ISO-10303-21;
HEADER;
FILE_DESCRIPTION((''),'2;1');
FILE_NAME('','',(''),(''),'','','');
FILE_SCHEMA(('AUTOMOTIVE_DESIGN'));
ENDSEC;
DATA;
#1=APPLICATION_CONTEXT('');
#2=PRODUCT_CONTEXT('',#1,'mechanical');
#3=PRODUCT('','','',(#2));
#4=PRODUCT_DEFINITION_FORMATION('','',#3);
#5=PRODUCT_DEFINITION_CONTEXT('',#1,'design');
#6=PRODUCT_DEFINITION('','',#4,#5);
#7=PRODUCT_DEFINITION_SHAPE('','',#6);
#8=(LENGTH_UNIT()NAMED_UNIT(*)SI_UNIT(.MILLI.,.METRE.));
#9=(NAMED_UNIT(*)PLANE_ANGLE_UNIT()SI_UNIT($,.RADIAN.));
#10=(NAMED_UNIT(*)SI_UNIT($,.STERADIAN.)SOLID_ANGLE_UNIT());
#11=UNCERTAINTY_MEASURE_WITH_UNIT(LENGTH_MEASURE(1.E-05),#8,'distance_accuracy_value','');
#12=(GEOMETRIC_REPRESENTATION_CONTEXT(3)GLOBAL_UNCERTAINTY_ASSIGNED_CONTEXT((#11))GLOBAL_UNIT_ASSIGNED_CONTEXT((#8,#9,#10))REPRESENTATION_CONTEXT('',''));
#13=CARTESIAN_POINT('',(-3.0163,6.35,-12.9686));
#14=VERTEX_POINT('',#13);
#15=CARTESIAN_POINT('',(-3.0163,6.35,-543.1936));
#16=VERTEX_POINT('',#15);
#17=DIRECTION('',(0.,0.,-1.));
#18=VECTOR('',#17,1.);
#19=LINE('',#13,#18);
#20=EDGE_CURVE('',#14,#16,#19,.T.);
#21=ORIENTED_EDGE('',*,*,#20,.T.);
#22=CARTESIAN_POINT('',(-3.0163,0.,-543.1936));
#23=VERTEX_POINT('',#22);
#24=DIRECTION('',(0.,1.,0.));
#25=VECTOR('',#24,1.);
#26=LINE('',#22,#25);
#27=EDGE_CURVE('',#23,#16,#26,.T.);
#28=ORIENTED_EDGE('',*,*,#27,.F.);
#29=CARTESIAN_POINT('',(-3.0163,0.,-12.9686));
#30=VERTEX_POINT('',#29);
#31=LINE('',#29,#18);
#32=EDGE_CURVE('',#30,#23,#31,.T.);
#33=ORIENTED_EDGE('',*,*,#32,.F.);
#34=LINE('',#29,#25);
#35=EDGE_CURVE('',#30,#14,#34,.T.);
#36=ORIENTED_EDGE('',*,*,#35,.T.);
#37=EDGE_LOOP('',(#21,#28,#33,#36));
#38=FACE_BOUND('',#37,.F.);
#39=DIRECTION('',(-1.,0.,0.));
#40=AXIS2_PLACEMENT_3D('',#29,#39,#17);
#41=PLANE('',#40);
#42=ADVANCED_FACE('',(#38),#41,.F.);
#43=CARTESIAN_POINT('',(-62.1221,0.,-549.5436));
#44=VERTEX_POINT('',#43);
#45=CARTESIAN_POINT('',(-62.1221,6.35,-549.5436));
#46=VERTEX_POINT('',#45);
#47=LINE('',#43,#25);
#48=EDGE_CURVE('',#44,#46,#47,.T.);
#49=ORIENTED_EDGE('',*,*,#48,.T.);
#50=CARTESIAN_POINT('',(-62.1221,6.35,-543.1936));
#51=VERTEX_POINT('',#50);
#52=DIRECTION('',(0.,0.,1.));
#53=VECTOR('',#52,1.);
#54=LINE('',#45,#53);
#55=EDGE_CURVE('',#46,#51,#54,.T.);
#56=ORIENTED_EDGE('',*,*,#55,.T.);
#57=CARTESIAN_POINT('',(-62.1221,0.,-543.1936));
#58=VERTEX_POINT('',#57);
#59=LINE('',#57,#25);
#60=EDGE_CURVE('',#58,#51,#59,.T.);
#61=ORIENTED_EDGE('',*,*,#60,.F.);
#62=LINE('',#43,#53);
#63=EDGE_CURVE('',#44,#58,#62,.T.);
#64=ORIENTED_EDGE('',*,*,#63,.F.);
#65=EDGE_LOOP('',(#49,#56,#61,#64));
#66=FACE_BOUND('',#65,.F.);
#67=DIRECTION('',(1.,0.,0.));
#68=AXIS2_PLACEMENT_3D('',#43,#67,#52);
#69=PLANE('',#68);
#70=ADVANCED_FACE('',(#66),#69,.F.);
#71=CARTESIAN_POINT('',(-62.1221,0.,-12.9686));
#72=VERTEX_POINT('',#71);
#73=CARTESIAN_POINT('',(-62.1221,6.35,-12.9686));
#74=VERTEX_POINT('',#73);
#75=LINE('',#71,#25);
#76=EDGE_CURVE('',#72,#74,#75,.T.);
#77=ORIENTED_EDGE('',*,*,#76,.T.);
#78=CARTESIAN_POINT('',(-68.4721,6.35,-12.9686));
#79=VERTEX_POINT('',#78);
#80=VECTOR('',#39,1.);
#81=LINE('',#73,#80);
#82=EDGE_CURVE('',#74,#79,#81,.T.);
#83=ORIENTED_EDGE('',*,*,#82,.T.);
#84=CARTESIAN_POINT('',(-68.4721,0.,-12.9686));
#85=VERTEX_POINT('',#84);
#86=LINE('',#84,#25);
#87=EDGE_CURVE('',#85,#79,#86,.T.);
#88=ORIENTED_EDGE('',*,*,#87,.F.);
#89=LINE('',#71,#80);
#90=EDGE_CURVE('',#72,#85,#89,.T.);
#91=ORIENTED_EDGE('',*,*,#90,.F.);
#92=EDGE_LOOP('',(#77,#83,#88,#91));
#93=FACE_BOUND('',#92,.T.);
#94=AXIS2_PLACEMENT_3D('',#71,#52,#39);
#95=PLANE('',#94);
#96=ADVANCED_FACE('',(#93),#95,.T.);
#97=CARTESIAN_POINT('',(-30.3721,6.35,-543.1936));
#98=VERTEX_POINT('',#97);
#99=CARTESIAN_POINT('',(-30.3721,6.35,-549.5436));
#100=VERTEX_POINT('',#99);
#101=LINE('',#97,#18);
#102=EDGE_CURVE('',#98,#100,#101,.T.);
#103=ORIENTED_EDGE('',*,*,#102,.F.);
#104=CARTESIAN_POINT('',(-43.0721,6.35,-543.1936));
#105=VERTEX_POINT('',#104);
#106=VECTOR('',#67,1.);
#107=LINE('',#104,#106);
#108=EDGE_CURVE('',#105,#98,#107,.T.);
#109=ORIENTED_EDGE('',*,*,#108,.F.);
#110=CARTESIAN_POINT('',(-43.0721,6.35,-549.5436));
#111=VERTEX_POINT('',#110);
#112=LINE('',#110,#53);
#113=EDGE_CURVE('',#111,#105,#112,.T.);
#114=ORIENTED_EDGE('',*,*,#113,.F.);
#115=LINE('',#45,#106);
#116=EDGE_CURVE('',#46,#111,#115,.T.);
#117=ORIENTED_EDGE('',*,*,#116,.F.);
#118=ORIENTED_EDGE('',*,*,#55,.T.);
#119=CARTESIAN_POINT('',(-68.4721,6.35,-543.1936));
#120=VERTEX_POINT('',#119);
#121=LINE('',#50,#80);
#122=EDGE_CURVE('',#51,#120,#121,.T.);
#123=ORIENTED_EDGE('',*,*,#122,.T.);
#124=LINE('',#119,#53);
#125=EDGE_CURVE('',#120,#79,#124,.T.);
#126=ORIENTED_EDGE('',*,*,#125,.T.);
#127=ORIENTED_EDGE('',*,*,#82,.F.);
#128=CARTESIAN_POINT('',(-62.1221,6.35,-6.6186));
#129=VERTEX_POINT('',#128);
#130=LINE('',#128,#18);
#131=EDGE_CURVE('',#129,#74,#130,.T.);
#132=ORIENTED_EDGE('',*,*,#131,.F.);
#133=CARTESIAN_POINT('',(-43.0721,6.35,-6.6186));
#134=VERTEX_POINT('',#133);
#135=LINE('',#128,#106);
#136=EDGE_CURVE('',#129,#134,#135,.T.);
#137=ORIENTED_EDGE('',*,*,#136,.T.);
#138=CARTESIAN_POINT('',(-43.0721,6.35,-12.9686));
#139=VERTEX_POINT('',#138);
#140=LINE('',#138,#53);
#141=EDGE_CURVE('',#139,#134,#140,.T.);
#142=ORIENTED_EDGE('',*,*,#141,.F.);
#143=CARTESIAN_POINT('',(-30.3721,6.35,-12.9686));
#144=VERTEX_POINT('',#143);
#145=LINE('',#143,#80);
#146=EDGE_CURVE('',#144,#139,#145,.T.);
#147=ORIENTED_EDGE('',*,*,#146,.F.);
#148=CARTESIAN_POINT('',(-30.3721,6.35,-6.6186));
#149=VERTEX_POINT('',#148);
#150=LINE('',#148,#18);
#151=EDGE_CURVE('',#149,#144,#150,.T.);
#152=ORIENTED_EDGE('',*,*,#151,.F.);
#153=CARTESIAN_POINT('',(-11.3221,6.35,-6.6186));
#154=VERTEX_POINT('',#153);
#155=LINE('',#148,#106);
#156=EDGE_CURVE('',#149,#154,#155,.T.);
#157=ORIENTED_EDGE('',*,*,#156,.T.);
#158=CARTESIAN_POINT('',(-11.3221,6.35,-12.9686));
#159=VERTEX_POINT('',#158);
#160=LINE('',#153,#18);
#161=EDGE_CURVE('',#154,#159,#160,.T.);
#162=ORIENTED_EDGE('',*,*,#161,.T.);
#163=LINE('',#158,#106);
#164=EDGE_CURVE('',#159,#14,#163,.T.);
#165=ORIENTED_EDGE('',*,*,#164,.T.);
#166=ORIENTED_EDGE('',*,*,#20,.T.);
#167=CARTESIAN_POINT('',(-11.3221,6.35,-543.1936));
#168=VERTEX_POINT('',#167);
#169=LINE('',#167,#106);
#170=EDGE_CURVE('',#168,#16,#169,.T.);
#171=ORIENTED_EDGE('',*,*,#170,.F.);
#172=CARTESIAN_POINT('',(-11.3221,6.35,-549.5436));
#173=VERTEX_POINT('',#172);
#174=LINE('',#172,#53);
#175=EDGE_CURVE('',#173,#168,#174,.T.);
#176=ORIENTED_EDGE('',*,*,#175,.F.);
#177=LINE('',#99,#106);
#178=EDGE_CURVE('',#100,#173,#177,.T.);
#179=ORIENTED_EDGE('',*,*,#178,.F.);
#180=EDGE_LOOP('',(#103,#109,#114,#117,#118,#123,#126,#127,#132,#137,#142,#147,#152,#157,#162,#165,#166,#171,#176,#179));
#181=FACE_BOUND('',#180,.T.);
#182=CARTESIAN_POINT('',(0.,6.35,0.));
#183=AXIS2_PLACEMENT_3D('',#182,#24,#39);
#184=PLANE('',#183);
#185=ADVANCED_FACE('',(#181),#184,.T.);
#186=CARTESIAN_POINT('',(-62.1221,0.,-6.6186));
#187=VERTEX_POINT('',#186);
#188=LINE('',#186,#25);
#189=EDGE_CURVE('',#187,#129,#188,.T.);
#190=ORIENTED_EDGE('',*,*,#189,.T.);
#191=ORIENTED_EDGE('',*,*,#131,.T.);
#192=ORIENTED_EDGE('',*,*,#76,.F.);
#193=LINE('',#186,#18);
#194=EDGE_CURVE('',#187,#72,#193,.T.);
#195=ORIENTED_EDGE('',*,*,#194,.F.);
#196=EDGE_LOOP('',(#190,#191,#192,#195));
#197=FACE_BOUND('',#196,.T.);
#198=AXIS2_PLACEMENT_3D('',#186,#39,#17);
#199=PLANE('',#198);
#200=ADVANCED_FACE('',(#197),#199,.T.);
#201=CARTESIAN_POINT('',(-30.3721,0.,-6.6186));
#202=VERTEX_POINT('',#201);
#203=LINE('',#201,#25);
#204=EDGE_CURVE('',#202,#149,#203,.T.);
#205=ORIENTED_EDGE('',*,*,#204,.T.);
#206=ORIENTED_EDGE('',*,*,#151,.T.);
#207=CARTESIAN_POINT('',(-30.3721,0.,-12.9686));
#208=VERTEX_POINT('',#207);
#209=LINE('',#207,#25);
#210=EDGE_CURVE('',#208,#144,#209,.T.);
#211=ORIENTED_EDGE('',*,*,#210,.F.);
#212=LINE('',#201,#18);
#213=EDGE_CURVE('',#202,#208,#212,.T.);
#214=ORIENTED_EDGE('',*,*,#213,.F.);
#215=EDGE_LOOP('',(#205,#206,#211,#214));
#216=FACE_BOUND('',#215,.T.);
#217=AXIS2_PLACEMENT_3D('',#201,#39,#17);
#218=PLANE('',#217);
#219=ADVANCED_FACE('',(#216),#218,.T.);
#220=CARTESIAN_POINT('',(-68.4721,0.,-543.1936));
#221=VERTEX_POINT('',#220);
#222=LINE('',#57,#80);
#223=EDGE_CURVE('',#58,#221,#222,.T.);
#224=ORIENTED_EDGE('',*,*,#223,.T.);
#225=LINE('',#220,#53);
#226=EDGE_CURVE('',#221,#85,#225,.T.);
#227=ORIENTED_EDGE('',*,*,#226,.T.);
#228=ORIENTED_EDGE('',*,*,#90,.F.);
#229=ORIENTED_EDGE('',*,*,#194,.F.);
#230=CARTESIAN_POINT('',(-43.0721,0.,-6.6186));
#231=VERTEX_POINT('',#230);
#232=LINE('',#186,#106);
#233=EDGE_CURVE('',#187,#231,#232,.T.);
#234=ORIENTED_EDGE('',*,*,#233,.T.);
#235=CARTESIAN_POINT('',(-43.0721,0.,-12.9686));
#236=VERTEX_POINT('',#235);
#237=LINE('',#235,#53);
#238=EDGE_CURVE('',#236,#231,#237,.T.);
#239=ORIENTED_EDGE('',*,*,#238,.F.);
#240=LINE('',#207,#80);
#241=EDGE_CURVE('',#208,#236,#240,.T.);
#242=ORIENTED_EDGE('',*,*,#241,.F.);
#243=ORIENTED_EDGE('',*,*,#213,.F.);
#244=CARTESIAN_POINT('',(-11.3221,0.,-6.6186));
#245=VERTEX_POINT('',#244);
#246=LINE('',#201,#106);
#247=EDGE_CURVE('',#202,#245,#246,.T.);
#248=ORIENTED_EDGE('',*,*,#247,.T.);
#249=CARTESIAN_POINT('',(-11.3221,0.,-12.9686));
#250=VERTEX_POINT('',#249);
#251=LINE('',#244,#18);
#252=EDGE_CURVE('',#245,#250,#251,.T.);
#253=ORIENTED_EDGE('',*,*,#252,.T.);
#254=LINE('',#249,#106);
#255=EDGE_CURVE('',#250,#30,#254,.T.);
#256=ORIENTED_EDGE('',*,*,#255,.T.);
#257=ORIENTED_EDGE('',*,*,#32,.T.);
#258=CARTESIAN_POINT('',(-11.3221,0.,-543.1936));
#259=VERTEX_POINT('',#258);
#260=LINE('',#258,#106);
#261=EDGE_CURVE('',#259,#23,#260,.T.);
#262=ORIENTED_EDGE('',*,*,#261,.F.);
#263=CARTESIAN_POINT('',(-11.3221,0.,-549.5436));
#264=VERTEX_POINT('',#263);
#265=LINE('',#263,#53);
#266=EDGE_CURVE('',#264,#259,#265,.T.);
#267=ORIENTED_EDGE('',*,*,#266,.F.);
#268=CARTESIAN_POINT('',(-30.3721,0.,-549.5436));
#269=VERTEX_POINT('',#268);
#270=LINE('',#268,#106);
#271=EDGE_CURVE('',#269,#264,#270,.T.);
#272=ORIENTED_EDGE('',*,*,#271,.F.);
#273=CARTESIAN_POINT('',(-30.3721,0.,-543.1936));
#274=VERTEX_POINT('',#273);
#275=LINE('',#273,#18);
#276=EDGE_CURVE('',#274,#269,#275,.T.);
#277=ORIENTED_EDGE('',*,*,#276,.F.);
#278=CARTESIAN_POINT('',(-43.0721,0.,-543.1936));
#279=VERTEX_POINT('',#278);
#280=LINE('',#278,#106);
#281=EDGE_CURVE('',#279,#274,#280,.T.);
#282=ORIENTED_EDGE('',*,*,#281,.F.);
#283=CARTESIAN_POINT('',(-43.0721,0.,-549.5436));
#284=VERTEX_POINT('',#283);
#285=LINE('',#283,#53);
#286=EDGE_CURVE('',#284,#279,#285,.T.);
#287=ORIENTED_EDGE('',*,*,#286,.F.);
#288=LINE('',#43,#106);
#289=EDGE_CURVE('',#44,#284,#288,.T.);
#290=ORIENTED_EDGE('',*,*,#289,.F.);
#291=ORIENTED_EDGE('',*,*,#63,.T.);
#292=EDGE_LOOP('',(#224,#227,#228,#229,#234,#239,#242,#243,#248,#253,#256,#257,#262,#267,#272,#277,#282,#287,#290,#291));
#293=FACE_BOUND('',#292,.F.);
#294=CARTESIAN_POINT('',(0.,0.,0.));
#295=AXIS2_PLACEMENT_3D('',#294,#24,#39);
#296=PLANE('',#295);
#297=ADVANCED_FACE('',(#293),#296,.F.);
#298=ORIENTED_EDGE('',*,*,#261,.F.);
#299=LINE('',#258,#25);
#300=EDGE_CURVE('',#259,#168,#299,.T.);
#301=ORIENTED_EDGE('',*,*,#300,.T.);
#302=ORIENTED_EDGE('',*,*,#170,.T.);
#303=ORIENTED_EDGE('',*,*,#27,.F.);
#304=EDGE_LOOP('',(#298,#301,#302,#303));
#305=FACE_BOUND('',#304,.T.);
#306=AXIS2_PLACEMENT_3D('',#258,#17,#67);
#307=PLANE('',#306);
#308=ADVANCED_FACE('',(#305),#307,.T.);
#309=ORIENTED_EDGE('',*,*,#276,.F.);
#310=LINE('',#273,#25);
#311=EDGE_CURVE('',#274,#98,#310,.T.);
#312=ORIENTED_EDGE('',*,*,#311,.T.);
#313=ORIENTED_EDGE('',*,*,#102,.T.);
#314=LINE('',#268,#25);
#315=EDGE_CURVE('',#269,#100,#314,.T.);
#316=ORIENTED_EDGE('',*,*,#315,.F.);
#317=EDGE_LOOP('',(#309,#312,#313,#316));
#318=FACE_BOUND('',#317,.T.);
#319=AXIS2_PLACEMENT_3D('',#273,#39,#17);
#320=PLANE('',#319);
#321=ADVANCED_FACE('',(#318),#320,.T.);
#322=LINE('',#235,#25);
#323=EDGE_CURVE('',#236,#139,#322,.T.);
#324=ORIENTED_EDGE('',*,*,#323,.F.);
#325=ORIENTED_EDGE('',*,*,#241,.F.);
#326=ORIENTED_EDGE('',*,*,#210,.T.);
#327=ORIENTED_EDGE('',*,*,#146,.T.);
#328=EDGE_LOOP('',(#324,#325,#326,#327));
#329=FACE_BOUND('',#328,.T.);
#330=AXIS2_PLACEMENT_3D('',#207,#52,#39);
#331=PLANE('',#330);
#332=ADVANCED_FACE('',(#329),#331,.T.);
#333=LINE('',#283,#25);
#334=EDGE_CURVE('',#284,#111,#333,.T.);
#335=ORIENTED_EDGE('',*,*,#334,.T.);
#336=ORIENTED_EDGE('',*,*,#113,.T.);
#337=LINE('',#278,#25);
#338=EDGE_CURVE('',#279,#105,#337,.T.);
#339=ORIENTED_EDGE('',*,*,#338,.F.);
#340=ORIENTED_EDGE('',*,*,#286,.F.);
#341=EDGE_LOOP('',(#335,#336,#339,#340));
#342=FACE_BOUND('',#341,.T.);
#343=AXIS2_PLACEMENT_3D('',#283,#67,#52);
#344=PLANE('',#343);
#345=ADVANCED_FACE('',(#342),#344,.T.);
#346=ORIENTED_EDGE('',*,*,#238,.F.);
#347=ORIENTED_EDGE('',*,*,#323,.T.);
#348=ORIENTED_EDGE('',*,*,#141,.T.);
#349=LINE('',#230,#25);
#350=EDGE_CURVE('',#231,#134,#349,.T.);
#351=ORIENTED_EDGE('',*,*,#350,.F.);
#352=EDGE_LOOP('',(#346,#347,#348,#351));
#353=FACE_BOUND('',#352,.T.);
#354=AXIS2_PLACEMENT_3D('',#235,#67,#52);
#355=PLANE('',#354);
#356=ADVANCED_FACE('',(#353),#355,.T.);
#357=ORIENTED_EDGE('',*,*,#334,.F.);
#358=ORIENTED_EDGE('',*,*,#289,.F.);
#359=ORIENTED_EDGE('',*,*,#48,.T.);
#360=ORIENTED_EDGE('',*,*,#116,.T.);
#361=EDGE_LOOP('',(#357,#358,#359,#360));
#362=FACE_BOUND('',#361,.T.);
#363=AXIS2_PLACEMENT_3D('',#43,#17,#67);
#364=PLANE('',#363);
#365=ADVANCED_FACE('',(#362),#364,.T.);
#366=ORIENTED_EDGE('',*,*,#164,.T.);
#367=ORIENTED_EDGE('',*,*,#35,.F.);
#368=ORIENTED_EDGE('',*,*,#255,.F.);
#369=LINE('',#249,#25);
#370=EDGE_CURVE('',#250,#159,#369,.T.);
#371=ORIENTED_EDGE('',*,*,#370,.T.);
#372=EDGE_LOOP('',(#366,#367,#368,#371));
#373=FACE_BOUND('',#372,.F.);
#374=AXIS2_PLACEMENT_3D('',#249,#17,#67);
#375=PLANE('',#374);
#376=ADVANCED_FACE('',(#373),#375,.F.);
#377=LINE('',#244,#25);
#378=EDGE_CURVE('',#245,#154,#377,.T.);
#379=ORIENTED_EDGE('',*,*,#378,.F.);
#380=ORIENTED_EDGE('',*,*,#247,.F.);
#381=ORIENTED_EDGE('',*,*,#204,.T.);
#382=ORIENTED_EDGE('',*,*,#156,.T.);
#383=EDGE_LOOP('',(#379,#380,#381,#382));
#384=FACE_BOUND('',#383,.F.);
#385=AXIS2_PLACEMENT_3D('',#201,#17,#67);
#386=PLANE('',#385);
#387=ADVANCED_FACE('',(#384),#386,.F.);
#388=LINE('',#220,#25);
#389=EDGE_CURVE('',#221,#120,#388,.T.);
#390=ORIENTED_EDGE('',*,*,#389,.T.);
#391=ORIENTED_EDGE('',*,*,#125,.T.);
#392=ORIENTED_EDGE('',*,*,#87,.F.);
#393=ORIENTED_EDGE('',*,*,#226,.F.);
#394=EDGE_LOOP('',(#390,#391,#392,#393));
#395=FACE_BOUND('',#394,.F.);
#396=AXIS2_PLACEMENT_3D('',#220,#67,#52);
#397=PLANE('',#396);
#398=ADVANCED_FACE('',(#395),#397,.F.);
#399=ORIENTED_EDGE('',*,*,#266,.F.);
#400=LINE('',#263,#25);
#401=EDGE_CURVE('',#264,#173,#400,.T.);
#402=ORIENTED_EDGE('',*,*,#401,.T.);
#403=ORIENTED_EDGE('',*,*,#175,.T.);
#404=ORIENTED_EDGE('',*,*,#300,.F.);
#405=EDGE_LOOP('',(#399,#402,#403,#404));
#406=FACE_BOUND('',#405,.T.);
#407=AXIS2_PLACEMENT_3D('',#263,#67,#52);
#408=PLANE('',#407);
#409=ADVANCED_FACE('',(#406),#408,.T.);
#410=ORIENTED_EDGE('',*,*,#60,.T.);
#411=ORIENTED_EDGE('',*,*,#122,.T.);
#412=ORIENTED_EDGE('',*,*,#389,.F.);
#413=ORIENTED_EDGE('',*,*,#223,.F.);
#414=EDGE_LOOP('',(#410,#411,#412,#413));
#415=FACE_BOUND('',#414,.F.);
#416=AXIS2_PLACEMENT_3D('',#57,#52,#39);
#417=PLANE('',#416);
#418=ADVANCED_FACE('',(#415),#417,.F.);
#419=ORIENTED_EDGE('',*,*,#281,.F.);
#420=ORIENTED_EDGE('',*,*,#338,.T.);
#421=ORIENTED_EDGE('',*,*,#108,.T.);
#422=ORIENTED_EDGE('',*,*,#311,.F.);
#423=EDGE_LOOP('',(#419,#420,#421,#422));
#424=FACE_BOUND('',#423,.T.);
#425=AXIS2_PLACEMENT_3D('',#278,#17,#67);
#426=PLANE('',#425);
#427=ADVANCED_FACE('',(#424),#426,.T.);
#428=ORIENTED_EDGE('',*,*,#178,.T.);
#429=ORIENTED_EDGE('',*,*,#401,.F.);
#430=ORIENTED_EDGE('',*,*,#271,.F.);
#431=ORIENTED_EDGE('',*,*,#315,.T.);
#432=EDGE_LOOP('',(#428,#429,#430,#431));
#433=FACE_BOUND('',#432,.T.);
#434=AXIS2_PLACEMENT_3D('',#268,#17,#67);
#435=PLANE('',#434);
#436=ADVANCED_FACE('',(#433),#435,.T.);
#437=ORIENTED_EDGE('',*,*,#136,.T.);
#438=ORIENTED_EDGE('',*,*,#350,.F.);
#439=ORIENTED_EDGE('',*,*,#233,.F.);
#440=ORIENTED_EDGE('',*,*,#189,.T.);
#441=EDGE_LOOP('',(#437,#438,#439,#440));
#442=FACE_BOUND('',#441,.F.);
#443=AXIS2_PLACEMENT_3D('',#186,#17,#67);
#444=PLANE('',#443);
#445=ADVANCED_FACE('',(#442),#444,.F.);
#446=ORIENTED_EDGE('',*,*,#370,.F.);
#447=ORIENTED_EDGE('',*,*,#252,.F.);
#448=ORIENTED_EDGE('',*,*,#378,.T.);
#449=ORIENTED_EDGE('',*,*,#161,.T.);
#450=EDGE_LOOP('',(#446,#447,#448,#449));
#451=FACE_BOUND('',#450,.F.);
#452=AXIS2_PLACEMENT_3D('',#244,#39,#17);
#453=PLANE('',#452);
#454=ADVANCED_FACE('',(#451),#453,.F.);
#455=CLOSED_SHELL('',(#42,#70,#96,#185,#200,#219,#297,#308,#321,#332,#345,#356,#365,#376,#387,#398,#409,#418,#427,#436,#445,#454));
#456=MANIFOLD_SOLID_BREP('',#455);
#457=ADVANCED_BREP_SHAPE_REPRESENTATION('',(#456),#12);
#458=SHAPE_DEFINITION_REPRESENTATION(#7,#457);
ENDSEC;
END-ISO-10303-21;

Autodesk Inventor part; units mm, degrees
ref_plane "YZ Plane" through (0, 0, 0) normal (1, 0, 0) x (0, 1, 0)
ref_plane "XZ Plane" through (0, 0, 0) normal (0, 1, 0) x (-1, 0, 0)
ref_plane "XY Plane" through (0, 0, 0) normal (0, 0, 1) x (1, 0, 0)
sketch "Sketch1" plane through (0, 0, 0) normal (0, 1, 0) x (-1, 0, 0)
  line L0 (3.0163, -12.9686) -> (3.0163, -543.1936)
  line L1 (68.4721, -543.1936) -> (68.4721, -12.9686)
  line L2 (62.1221, -6.6186) -> (62.1221, -12.9686)
  line L3 (62.1221, -12.9686) -> (68.4721, -12.9686)
  line L4 (30.3721, -6.6186) -> (30.3721, -12.9686)
  line L5 (30.3721, -12.9686) -> (43.0721, -12.9686)
  line L6 (43.0721, -12.9686) -> (43.0721, -6.6186)
  line L7 (62.1221, -6.6186) -> (43.0721, -6.6186)
  line L8 (30.3721, -6.6186) -> (11.3221, -6.6186)
  line L9 (11.3221, -6.6186) -> (11.3221, -12.9686)
  line L10 (11.3221, -12.9686) -> (3.0163, -12.9686)
  line L11 (62.1221, -549.5436) -> (62.1221, -543.1936)
  line L12 (62.1221, -543.1936) -> (68.4721, -543.1936)
  line L13 (62.1221, -549.5436) -> (43.0721, -549.5436)
  line L14 (43.0721, -549.5436) -> (43.0721, -543.1936)
  line L15 (62.1221, -543.1936) -> (62.1221, -549.5436)
  line L16 (30.3721, -549.5436) -> (11.3221, -549.5436)
  line L17 (11.3221, -549.5436) -> (11.3221, -543.1936)
  line L18 (30.3721, -543.1936) -> (30.3721, -549.5436)
  line L19 (43.0721, -543.1936) -> (30.3721, -543.1936)
  line L20 (11.3221, -549.5436) -> (30.3721, -549.5436)
  line L21 (43.0721, -549.5436) -> (62.1221, -549.5436)
  line L22 (11.3221, -543.1936) -> (3.0163, -543.1936)
  point P0 (0, 0)
  dimension "d6" = 65.4558
  dimension "d11" = 19.05
  dimension "d12" = 19.05
  dimension "d13" = 12.7
  dimension "d14" = 6.35
  dimension "d15" = 8.3058
  dimension "d16" = 6.35
  dimension "d17" = 6.35
  dimension "d26" = 8.3058
  dimension "d27" = 19.05
  dimension "d28" = 12.7
  dimension "d29" = 19.05
  dimension "d30" = 6.35
  dimension "d31" = 6.35
  dimension "d32" = 6.35
  dimension "d33" = 6.35
  dimension "d34" = 6.35
  dimension "d37" = 542.925
extrude "Extrusion1" add sketch "Sketch1" along normal blind 6.35
properties part number "Top Shelf V3"
